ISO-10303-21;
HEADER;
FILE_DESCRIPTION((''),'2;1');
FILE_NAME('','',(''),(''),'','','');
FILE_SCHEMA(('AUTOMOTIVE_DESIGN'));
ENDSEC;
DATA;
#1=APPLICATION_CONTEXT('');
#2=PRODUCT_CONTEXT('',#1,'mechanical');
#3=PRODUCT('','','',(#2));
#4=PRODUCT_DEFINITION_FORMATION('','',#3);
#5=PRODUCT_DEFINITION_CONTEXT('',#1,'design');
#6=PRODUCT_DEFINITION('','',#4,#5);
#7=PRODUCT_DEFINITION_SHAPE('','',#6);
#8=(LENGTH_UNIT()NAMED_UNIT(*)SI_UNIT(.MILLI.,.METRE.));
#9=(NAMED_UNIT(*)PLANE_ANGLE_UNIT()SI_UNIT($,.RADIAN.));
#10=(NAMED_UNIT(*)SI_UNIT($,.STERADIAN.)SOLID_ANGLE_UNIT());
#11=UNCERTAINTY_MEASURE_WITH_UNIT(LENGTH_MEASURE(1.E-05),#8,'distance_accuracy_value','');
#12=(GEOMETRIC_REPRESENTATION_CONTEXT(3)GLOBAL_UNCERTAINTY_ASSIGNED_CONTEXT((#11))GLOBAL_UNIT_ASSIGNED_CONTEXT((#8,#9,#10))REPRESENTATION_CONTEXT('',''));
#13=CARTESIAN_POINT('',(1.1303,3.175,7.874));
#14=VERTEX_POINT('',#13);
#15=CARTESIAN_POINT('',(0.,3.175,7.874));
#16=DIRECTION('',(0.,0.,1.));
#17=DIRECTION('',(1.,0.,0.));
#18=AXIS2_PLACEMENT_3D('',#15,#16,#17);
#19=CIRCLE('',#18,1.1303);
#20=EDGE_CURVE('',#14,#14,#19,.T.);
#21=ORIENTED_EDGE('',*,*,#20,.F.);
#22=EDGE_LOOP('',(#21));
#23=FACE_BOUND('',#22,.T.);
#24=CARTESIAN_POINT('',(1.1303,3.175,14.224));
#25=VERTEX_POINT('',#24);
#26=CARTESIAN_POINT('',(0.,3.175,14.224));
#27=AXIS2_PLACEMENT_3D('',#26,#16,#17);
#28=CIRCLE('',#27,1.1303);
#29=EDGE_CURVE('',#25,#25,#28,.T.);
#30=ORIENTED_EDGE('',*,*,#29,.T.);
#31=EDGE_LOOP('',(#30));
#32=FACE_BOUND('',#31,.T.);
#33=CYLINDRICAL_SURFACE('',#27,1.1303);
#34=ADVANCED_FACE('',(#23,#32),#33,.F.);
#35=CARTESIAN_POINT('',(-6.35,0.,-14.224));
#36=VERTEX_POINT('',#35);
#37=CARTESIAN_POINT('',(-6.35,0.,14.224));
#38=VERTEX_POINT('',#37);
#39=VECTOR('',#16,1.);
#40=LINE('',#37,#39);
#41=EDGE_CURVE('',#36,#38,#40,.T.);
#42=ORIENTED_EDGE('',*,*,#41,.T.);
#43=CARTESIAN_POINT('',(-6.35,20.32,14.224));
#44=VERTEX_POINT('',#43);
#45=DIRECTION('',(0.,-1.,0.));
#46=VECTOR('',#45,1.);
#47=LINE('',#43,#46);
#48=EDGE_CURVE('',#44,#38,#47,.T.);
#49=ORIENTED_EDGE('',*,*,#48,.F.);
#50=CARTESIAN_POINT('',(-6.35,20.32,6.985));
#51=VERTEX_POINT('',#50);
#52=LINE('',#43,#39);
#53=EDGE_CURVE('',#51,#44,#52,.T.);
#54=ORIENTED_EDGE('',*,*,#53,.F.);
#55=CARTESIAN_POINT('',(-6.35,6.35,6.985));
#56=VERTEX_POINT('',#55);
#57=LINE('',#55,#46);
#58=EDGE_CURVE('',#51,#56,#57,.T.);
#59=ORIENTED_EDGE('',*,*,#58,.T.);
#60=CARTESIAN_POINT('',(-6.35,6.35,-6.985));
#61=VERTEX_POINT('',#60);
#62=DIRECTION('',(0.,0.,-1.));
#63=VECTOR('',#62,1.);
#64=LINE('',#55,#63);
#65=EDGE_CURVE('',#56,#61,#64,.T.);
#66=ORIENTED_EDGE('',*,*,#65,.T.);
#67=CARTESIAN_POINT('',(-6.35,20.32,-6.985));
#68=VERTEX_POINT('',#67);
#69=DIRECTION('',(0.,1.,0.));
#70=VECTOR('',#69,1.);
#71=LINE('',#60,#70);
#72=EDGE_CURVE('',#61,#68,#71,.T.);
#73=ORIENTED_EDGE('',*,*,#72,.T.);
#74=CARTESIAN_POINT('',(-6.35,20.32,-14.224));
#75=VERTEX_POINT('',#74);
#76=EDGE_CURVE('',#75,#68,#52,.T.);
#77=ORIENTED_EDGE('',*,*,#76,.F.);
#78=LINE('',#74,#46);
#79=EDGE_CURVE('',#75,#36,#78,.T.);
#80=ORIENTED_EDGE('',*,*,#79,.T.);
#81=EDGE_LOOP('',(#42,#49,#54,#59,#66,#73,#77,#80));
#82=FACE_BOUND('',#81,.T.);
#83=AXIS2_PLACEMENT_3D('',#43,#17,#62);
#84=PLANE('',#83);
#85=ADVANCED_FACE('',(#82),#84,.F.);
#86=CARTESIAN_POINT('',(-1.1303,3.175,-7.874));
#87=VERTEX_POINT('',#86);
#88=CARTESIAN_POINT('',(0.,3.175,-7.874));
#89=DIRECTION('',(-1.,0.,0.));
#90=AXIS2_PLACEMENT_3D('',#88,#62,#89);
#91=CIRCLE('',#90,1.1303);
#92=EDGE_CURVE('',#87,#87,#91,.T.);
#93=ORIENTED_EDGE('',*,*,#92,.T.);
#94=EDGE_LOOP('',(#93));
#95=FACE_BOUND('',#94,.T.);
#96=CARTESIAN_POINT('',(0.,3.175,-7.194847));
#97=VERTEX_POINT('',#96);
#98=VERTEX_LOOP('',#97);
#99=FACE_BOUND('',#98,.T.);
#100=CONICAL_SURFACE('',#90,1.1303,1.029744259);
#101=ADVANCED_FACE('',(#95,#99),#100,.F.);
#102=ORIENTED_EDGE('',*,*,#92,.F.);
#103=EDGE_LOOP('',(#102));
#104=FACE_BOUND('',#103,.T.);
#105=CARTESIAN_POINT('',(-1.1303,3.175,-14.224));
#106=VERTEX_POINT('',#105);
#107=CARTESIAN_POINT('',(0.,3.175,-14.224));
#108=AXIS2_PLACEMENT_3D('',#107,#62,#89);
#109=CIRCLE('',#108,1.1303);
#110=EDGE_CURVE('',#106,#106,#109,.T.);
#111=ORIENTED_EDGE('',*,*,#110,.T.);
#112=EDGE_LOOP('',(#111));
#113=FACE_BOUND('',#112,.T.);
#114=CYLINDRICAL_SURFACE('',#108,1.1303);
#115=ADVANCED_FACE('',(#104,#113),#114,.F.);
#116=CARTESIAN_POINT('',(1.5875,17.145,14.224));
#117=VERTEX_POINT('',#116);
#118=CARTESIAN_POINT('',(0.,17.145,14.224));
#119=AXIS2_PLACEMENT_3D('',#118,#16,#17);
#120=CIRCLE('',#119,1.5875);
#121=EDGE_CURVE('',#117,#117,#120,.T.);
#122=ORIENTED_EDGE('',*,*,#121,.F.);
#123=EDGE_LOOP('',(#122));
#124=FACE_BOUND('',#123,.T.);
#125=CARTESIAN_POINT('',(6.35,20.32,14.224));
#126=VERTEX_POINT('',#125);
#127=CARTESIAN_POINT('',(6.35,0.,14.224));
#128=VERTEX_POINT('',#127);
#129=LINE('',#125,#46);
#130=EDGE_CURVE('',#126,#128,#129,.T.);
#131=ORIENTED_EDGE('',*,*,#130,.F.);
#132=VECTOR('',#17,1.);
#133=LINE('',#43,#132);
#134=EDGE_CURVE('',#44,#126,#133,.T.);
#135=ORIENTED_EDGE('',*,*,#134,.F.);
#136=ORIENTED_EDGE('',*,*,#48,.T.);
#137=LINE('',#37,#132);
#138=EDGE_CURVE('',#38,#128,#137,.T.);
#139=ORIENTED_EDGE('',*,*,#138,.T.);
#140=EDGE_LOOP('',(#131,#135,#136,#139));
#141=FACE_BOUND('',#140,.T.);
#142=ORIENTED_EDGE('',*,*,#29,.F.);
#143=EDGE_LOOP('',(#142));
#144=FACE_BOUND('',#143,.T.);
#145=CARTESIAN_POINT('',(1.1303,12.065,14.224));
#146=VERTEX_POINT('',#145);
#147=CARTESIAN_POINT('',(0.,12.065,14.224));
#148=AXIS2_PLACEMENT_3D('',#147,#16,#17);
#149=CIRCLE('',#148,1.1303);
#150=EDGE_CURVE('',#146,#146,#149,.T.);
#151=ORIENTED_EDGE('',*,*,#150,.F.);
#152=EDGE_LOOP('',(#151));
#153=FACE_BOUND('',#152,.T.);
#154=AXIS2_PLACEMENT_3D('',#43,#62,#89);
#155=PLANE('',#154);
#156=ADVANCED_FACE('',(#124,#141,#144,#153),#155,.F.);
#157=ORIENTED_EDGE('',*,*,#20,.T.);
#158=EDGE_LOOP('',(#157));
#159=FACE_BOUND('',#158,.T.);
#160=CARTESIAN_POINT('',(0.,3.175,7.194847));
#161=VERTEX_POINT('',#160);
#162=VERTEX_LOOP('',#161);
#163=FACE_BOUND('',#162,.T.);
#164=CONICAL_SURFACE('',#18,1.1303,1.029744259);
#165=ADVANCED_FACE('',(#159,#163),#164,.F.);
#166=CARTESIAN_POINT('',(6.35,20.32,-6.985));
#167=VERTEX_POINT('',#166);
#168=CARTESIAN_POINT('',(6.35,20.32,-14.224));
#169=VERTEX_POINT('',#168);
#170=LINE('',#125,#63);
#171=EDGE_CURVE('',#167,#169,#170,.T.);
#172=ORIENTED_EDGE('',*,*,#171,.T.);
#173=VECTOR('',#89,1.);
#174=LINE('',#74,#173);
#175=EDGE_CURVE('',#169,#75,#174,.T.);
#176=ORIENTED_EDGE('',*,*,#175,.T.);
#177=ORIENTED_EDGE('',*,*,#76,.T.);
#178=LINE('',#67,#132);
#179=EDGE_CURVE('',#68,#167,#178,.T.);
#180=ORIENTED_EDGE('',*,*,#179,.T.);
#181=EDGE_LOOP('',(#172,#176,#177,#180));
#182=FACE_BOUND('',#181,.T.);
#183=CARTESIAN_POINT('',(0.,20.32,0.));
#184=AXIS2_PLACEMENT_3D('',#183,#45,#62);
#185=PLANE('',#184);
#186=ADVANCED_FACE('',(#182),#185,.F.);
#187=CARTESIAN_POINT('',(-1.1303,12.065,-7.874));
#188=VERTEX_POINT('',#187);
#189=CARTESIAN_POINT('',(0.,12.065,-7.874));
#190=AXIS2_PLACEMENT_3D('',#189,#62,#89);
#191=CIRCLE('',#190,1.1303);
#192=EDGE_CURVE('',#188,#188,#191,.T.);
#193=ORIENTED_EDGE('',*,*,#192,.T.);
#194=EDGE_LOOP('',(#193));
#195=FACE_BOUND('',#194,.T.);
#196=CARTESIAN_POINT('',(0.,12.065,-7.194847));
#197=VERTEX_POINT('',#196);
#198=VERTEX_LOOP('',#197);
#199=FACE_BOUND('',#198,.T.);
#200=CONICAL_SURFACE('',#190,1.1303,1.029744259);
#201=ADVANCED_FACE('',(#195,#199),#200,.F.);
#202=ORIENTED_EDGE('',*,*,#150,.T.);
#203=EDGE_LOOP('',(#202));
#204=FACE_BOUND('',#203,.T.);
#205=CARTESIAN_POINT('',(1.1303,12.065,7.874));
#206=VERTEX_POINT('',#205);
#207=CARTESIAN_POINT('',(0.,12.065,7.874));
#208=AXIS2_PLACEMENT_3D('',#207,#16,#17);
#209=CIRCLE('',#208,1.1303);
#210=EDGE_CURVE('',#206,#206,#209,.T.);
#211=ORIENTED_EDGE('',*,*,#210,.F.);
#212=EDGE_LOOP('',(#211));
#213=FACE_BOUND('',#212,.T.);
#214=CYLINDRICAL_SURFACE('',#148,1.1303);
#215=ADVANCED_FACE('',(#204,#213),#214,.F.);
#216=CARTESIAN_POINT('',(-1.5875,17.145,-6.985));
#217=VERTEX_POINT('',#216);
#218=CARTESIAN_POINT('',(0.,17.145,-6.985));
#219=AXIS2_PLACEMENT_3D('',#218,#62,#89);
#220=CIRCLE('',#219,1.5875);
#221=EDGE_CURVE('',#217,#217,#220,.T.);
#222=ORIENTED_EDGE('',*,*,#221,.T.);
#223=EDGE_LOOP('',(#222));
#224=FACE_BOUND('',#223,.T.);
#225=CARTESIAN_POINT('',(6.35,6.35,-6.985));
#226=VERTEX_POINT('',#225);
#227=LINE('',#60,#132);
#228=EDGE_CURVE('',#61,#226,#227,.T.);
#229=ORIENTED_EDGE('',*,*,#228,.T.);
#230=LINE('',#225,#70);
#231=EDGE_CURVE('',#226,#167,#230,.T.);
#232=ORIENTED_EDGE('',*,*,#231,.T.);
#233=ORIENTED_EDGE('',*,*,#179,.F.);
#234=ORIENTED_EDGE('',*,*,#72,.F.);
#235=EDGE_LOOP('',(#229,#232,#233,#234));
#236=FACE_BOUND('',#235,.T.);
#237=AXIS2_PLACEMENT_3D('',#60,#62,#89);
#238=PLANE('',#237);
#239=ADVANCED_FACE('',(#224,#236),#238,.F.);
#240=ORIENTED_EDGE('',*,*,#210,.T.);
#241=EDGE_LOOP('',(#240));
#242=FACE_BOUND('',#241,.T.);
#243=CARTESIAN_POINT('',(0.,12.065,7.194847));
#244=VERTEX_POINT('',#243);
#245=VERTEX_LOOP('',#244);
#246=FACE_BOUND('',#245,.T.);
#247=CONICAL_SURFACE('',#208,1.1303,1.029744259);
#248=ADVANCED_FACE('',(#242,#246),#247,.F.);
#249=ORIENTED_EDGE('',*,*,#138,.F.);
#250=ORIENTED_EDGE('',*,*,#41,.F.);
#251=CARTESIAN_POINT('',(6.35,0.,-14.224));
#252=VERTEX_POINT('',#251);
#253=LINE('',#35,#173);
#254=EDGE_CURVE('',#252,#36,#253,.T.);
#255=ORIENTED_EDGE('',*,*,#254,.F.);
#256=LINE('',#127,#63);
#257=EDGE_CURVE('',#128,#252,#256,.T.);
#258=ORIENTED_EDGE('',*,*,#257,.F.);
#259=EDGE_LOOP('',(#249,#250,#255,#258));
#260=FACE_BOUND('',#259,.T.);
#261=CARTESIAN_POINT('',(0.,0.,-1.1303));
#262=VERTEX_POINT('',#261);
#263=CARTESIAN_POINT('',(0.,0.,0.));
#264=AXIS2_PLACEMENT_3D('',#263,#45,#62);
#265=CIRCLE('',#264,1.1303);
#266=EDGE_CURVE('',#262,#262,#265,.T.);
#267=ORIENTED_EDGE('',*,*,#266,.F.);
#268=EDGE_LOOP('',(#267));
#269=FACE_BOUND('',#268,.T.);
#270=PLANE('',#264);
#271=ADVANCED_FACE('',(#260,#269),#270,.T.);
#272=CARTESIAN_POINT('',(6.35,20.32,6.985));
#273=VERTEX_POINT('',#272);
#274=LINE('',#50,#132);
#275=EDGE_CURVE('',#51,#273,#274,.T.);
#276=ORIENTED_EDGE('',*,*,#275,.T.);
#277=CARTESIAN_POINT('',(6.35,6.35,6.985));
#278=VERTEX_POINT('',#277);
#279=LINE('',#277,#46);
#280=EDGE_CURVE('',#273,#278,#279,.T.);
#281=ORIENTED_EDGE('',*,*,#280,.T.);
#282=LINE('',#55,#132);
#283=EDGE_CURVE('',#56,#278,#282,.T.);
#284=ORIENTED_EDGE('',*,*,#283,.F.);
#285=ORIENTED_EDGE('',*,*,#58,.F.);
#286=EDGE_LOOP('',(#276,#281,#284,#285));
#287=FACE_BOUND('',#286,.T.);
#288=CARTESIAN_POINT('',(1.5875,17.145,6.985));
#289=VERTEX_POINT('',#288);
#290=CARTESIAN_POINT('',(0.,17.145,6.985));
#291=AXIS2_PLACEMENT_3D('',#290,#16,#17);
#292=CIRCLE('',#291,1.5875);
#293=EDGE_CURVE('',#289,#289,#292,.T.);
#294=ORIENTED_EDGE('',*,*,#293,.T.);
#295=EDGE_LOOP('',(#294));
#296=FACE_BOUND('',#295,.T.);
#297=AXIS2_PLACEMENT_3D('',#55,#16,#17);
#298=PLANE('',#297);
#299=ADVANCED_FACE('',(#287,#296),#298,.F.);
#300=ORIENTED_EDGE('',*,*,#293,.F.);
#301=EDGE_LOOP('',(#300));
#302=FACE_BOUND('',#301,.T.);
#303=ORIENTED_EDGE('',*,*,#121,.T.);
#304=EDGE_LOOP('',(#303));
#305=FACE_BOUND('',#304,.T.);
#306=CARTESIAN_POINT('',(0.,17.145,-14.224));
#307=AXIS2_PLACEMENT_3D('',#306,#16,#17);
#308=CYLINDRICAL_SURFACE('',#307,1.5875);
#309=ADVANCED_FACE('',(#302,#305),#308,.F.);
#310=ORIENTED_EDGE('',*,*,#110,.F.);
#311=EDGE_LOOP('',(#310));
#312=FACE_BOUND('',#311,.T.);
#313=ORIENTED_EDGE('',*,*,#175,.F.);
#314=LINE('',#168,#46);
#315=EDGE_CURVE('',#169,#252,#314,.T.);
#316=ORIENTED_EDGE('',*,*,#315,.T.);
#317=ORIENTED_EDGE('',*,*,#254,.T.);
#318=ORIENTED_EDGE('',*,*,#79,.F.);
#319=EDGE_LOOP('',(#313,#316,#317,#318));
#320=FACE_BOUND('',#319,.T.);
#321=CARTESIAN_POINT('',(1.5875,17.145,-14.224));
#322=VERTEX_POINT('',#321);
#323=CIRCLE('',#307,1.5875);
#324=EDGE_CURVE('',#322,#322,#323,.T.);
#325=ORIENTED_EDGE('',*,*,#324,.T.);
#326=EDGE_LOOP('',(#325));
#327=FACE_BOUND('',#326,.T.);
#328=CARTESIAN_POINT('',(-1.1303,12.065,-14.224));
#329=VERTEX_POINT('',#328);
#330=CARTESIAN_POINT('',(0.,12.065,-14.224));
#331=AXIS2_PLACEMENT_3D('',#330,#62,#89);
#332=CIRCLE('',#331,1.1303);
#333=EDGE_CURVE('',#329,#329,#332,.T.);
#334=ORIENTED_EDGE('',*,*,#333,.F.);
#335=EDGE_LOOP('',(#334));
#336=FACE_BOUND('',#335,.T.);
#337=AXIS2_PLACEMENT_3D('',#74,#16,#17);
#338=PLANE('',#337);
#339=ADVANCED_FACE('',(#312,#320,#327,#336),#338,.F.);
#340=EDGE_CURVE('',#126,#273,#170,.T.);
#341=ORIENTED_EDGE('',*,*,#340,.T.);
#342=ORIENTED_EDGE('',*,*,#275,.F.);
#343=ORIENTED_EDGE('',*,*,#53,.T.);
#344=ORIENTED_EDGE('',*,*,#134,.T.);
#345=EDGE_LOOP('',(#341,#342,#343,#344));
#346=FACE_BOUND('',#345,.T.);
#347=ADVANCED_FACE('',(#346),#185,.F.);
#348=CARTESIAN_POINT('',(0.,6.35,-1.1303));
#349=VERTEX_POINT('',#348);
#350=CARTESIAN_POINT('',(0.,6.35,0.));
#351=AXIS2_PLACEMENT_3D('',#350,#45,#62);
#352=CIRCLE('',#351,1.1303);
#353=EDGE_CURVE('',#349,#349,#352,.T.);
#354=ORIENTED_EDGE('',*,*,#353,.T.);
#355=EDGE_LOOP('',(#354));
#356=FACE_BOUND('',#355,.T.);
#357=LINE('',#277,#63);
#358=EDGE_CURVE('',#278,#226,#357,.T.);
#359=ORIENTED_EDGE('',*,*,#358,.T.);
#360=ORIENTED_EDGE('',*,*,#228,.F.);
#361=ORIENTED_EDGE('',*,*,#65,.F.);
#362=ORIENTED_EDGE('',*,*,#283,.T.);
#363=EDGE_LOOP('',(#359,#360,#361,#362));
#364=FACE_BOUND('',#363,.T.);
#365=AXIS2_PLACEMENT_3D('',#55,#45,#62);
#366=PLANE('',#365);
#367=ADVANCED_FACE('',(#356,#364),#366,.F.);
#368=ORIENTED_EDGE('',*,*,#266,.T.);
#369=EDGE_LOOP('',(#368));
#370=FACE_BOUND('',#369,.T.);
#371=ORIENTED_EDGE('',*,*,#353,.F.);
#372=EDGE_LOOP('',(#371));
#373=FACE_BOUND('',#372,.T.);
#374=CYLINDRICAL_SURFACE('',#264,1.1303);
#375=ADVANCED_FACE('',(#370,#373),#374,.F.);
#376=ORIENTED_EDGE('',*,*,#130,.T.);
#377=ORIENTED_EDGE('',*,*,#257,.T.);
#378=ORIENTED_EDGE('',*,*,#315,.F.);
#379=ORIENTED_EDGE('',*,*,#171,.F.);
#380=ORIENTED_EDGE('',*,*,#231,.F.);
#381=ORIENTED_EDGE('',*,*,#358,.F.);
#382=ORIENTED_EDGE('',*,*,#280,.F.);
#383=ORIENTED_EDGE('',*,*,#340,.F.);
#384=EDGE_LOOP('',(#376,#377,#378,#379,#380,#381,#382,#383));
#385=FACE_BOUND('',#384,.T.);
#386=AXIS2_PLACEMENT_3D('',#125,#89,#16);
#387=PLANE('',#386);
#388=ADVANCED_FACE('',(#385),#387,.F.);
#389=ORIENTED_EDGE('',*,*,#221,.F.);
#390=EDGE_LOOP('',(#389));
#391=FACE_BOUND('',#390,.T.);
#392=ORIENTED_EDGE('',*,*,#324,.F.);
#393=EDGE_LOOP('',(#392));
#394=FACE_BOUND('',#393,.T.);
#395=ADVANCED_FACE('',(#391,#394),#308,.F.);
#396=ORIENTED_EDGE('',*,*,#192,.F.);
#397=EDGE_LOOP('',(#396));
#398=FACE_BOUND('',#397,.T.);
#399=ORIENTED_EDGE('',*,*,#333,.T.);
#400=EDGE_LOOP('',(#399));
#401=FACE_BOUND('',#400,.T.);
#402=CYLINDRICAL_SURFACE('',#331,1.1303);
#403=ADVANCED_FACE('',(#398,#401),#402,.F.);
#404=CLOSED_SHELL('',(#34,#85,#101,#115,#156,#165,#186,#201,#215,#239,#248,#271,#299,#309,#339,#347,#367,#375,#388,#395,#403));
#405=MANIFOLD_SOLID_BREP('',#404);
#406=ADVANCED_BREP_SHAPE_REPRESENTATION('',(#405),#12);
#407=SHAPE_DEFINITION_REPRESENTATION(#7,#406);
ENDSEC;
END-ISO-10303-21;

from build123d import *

# Parameters (mm, degrees)
SKETCH1_W                 = 12.7
SKETCH1_H                 = 28.448
BOSS_EXTRUDE1_DEPTH       = 20.32
SKETCH2_W                 = 13.97
SKETCH2_H                 = 13.97
CUT_EXTRUDE1_DEPTH        = 28.866011125
SKETCH5_R                 = 1.5875
CUT_EXTRUDE2_DEPTH        = 36.531867443
F_4_40_TAPPED_HOLE1_D     = 2.2606
F_4_40_TAPPED_HOLE2_D     = 2.2606
F_4_40_TAPPED_HOLE2_DEPTH = 6.35
F_4_40_TAPPED_HOLE2_TIP   = 0.679152758
F_4_40_TAPPED_HOLE3_D     = 2.2606
F_4_40_TAPPED_HOLE3_DEPTH = 6.35
F_4_40_TAPPED_HOLE3_TIP   = 0.679152758


with BuildPart() as part:
    # Sketch1 → Boss-Extrude1 (new body)
    with BuildSketch(Plane(origin=(0, 0, 0), x_dir=(1, 0, 0), z_dir=(0, 1, 0))):
        Rectangle(SKETCH1_W, SKETCH1_H)
    extrude(amount=BOSS_EXTRUDE1_DEPTH)

    # Sketch2 → Cut-Extrude1 (cut, through all)
    with BuildSketch(Plane(origin=(6.35, 0, 0), x_dir=(0, 0, -1), z_dir=(1, 0, 0))):
        with Locations((0, 13.335)):
            Rectangle(SKETCH2_W, SKETCH2_H)
    extrude(amount=-CUT_EXTRUDE1_DEPTH, mode=Mode.SUBTRACT)

    # Sketch5 → Cut-Extrude2 (cut, through all)
    with BuildSketch(Plane.XY.offset(14.224)):
        with Locations((0, 17.145)):
            Circle(SKETCH5_R)
    extrude(amount=-CUT_EXTRUDE2_DEPTH, mode=Mode.SUBTRACT)

    # #4-40 Tapped Hole1 (through all)
    with Locations(Plane(origin=(0, 0, 0), x_dir=(-1, 0, 0), z_dir=(0, -1, 0))):
        with Locations((0, 0)):
            Hole(F_4_40_TAPPED_HOLE1_D / 2)

    # #4-40 Tapped Hole2
    with Locations(Plane(origin=(0, 0, -14.224), x_dir=(-1, 0, 0), z_dir=(0, 0, -1))):
        with Locations((0, 12.065), (0, 3.175)):
            Hole(F_4_40_TAPPED_HOLE2_D / 2, depth=F_4_40_TAPPED_HOLE2_DEPTH)
            with Locations((0, 0, -(F_4_40_TAPPED_HOLE2_DEPTH + F_4_40_TAPPED_HOLE2_TIP / 2))):  # 118° drill point
                Cone(0, F_4_40_TAPPED_HOLE2_D / 2, F_4_40_TAPPED_HOLE2_TIP, mode=Mode.SUBTRACT)

    # #4-40 Tapped Hole3
    with Locations(Plane.XY.offset(14.224)):
        with Locations((0, 12.065), (0, 3.175)):
            Hole(F_4_40_TAPPED_HOLE3_D / 2, depth=F_4_40_TAPPED_HOLE3_DEPTH)
            with Locations((0, 0, -(F_4_40_TAPPED_HOLE3_DEPTH + F_4_40_TAPPED_HOLE3_TIP / 2))):  # 118° drill point
                Cone(0, F_4_40_TAPPED_HOLE3_D / 2, F_4_40_TAPPED_HOLE3_TIP, mode=Mode.SUBTRACT)


solid = part.part
